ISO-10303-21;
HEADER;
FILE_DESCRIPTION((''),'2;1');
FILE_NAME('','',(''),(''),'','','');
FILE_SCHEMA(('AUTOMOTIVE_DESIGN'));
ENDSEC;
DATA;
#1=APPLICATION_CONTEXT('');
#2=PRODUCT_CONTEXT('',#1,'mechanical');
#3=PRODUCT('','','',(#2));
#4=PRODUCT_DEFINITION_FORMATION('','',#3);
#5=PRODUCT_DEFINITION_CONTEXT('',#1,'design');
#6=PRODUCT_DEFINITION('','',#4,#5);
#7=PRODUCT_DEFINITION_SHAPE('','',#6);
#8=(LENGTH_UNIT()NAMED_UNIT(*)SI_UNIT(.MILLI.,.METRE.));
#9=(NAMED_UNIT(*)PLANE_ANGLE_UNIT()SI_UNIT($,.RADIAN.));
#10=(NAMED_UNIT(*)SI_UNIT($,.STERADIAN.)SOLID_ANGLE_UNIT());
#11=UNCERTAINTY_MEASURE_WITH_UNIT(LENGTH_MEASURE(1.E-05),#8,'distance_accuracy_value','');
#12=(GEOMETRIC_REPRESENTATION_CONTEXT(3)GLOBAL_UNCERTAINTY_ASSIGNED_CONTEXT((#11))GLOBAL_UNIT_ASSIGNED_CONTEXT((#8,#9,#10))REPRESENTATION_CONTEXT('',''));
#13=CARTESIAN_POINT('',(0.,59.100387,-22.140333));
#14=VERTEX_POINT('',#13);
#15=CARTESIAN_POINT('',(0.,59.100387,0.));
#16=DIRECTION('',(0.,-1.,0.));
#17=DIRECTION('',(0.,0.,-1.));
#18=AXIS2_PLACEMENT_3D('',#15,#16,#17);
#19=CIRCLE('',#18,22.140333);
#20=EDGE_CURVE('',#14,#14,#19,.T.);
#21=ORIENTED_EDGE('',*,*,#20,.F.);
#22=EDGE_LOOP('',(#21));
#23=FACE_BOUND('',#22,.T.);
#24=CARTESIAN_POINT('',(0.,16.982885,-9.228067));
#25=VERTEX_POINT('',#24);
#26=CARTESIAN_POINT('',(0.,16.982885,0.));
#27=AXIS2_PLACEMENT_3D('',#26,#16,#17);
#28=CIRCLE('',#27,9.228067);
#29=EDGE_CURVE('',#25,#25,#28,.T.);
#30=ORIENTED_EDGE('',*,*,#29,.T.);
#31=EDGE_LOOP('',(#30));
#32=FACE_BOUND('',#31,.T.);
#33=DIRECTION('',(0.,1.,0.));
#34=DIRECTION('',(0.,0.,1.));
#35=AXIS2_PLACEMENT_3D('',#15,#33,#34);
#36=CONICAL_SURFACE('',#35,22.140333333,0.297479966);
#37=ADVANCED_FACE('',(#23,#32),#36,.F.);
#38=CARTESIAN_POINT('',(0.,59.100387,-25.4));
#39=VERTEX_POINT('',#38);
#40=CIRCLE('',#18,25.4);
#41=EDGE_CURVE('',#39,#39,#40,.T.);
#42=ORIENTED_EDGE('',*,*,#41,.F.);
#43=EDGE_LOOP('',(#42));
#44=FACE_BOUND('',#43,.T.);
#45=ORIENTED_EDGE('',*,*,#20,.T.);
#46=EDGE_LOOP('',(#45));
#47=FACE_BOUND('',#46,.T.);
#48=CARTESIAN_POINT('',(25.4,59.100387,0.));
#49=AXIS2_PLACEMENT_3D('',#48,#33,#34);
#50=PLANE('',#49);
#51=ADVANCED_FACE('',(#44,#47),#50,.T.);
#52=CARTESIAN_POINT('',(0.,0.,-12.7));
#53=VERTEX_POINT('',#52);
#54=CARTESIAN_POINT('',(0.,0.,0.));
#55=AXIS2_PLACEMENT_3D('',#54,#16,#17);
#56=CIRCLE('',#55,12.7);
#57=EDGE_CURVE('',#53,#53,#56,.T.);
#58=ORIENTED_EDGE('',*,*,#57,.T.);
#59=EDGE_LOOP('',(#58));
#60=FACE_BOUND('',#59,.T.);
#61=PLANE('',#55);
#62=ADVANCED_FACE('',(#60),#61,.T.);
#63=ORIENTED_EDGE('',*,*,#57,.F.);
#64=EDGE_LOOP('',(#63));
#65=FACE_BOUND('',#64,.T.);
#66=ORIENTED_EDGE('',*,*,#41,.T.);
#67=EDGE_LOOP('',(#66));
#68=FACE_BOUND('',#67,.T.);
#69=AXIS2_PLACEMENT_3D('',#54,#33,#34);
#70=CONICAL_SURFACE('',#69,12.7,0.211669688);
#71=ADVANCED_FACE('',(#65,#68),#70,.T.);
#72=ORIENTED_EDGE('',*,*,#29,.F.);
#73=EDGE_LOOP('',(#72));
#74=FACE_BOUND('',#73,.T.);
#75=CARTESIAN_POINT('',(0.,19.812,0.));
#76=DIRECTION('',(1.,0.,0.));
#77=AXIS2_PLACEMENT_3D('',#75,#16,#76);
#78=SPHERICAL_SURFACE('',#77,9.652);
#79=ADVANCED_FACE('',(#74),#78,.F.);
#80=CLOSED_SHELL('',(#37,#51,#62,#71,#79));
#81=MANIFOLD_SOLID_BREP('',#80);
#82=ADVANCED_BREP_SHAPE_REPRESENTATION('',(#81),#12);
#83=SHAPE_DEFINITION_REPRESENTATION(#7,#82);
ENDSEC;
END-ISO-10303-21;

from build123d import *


with BuildPart() as part:
    # Sketch3 → Revolve1 (revolve)
    with BuildSketch(Plane.XY):
        with BuildLine():
            Line((0, 0), (12.7, 0))
            Line((12.7, 0), (25.4, 59.10038719))
            Line((25.4, 59.10038719), (22.140333333, 59.10038719))
            Line((22.140333333, 59.10038719), (9.228066554, 16.982885))
            ThreePointArc((9.228066554, 16.982885), (5.738226469, 12.050952327), (0, 10.16))
            Line((0, 10.16), (0, 0))
        make_face()
    revolve(axis=Axis((0, 0, 0), (0, 1, 0)))


solid = part.part
